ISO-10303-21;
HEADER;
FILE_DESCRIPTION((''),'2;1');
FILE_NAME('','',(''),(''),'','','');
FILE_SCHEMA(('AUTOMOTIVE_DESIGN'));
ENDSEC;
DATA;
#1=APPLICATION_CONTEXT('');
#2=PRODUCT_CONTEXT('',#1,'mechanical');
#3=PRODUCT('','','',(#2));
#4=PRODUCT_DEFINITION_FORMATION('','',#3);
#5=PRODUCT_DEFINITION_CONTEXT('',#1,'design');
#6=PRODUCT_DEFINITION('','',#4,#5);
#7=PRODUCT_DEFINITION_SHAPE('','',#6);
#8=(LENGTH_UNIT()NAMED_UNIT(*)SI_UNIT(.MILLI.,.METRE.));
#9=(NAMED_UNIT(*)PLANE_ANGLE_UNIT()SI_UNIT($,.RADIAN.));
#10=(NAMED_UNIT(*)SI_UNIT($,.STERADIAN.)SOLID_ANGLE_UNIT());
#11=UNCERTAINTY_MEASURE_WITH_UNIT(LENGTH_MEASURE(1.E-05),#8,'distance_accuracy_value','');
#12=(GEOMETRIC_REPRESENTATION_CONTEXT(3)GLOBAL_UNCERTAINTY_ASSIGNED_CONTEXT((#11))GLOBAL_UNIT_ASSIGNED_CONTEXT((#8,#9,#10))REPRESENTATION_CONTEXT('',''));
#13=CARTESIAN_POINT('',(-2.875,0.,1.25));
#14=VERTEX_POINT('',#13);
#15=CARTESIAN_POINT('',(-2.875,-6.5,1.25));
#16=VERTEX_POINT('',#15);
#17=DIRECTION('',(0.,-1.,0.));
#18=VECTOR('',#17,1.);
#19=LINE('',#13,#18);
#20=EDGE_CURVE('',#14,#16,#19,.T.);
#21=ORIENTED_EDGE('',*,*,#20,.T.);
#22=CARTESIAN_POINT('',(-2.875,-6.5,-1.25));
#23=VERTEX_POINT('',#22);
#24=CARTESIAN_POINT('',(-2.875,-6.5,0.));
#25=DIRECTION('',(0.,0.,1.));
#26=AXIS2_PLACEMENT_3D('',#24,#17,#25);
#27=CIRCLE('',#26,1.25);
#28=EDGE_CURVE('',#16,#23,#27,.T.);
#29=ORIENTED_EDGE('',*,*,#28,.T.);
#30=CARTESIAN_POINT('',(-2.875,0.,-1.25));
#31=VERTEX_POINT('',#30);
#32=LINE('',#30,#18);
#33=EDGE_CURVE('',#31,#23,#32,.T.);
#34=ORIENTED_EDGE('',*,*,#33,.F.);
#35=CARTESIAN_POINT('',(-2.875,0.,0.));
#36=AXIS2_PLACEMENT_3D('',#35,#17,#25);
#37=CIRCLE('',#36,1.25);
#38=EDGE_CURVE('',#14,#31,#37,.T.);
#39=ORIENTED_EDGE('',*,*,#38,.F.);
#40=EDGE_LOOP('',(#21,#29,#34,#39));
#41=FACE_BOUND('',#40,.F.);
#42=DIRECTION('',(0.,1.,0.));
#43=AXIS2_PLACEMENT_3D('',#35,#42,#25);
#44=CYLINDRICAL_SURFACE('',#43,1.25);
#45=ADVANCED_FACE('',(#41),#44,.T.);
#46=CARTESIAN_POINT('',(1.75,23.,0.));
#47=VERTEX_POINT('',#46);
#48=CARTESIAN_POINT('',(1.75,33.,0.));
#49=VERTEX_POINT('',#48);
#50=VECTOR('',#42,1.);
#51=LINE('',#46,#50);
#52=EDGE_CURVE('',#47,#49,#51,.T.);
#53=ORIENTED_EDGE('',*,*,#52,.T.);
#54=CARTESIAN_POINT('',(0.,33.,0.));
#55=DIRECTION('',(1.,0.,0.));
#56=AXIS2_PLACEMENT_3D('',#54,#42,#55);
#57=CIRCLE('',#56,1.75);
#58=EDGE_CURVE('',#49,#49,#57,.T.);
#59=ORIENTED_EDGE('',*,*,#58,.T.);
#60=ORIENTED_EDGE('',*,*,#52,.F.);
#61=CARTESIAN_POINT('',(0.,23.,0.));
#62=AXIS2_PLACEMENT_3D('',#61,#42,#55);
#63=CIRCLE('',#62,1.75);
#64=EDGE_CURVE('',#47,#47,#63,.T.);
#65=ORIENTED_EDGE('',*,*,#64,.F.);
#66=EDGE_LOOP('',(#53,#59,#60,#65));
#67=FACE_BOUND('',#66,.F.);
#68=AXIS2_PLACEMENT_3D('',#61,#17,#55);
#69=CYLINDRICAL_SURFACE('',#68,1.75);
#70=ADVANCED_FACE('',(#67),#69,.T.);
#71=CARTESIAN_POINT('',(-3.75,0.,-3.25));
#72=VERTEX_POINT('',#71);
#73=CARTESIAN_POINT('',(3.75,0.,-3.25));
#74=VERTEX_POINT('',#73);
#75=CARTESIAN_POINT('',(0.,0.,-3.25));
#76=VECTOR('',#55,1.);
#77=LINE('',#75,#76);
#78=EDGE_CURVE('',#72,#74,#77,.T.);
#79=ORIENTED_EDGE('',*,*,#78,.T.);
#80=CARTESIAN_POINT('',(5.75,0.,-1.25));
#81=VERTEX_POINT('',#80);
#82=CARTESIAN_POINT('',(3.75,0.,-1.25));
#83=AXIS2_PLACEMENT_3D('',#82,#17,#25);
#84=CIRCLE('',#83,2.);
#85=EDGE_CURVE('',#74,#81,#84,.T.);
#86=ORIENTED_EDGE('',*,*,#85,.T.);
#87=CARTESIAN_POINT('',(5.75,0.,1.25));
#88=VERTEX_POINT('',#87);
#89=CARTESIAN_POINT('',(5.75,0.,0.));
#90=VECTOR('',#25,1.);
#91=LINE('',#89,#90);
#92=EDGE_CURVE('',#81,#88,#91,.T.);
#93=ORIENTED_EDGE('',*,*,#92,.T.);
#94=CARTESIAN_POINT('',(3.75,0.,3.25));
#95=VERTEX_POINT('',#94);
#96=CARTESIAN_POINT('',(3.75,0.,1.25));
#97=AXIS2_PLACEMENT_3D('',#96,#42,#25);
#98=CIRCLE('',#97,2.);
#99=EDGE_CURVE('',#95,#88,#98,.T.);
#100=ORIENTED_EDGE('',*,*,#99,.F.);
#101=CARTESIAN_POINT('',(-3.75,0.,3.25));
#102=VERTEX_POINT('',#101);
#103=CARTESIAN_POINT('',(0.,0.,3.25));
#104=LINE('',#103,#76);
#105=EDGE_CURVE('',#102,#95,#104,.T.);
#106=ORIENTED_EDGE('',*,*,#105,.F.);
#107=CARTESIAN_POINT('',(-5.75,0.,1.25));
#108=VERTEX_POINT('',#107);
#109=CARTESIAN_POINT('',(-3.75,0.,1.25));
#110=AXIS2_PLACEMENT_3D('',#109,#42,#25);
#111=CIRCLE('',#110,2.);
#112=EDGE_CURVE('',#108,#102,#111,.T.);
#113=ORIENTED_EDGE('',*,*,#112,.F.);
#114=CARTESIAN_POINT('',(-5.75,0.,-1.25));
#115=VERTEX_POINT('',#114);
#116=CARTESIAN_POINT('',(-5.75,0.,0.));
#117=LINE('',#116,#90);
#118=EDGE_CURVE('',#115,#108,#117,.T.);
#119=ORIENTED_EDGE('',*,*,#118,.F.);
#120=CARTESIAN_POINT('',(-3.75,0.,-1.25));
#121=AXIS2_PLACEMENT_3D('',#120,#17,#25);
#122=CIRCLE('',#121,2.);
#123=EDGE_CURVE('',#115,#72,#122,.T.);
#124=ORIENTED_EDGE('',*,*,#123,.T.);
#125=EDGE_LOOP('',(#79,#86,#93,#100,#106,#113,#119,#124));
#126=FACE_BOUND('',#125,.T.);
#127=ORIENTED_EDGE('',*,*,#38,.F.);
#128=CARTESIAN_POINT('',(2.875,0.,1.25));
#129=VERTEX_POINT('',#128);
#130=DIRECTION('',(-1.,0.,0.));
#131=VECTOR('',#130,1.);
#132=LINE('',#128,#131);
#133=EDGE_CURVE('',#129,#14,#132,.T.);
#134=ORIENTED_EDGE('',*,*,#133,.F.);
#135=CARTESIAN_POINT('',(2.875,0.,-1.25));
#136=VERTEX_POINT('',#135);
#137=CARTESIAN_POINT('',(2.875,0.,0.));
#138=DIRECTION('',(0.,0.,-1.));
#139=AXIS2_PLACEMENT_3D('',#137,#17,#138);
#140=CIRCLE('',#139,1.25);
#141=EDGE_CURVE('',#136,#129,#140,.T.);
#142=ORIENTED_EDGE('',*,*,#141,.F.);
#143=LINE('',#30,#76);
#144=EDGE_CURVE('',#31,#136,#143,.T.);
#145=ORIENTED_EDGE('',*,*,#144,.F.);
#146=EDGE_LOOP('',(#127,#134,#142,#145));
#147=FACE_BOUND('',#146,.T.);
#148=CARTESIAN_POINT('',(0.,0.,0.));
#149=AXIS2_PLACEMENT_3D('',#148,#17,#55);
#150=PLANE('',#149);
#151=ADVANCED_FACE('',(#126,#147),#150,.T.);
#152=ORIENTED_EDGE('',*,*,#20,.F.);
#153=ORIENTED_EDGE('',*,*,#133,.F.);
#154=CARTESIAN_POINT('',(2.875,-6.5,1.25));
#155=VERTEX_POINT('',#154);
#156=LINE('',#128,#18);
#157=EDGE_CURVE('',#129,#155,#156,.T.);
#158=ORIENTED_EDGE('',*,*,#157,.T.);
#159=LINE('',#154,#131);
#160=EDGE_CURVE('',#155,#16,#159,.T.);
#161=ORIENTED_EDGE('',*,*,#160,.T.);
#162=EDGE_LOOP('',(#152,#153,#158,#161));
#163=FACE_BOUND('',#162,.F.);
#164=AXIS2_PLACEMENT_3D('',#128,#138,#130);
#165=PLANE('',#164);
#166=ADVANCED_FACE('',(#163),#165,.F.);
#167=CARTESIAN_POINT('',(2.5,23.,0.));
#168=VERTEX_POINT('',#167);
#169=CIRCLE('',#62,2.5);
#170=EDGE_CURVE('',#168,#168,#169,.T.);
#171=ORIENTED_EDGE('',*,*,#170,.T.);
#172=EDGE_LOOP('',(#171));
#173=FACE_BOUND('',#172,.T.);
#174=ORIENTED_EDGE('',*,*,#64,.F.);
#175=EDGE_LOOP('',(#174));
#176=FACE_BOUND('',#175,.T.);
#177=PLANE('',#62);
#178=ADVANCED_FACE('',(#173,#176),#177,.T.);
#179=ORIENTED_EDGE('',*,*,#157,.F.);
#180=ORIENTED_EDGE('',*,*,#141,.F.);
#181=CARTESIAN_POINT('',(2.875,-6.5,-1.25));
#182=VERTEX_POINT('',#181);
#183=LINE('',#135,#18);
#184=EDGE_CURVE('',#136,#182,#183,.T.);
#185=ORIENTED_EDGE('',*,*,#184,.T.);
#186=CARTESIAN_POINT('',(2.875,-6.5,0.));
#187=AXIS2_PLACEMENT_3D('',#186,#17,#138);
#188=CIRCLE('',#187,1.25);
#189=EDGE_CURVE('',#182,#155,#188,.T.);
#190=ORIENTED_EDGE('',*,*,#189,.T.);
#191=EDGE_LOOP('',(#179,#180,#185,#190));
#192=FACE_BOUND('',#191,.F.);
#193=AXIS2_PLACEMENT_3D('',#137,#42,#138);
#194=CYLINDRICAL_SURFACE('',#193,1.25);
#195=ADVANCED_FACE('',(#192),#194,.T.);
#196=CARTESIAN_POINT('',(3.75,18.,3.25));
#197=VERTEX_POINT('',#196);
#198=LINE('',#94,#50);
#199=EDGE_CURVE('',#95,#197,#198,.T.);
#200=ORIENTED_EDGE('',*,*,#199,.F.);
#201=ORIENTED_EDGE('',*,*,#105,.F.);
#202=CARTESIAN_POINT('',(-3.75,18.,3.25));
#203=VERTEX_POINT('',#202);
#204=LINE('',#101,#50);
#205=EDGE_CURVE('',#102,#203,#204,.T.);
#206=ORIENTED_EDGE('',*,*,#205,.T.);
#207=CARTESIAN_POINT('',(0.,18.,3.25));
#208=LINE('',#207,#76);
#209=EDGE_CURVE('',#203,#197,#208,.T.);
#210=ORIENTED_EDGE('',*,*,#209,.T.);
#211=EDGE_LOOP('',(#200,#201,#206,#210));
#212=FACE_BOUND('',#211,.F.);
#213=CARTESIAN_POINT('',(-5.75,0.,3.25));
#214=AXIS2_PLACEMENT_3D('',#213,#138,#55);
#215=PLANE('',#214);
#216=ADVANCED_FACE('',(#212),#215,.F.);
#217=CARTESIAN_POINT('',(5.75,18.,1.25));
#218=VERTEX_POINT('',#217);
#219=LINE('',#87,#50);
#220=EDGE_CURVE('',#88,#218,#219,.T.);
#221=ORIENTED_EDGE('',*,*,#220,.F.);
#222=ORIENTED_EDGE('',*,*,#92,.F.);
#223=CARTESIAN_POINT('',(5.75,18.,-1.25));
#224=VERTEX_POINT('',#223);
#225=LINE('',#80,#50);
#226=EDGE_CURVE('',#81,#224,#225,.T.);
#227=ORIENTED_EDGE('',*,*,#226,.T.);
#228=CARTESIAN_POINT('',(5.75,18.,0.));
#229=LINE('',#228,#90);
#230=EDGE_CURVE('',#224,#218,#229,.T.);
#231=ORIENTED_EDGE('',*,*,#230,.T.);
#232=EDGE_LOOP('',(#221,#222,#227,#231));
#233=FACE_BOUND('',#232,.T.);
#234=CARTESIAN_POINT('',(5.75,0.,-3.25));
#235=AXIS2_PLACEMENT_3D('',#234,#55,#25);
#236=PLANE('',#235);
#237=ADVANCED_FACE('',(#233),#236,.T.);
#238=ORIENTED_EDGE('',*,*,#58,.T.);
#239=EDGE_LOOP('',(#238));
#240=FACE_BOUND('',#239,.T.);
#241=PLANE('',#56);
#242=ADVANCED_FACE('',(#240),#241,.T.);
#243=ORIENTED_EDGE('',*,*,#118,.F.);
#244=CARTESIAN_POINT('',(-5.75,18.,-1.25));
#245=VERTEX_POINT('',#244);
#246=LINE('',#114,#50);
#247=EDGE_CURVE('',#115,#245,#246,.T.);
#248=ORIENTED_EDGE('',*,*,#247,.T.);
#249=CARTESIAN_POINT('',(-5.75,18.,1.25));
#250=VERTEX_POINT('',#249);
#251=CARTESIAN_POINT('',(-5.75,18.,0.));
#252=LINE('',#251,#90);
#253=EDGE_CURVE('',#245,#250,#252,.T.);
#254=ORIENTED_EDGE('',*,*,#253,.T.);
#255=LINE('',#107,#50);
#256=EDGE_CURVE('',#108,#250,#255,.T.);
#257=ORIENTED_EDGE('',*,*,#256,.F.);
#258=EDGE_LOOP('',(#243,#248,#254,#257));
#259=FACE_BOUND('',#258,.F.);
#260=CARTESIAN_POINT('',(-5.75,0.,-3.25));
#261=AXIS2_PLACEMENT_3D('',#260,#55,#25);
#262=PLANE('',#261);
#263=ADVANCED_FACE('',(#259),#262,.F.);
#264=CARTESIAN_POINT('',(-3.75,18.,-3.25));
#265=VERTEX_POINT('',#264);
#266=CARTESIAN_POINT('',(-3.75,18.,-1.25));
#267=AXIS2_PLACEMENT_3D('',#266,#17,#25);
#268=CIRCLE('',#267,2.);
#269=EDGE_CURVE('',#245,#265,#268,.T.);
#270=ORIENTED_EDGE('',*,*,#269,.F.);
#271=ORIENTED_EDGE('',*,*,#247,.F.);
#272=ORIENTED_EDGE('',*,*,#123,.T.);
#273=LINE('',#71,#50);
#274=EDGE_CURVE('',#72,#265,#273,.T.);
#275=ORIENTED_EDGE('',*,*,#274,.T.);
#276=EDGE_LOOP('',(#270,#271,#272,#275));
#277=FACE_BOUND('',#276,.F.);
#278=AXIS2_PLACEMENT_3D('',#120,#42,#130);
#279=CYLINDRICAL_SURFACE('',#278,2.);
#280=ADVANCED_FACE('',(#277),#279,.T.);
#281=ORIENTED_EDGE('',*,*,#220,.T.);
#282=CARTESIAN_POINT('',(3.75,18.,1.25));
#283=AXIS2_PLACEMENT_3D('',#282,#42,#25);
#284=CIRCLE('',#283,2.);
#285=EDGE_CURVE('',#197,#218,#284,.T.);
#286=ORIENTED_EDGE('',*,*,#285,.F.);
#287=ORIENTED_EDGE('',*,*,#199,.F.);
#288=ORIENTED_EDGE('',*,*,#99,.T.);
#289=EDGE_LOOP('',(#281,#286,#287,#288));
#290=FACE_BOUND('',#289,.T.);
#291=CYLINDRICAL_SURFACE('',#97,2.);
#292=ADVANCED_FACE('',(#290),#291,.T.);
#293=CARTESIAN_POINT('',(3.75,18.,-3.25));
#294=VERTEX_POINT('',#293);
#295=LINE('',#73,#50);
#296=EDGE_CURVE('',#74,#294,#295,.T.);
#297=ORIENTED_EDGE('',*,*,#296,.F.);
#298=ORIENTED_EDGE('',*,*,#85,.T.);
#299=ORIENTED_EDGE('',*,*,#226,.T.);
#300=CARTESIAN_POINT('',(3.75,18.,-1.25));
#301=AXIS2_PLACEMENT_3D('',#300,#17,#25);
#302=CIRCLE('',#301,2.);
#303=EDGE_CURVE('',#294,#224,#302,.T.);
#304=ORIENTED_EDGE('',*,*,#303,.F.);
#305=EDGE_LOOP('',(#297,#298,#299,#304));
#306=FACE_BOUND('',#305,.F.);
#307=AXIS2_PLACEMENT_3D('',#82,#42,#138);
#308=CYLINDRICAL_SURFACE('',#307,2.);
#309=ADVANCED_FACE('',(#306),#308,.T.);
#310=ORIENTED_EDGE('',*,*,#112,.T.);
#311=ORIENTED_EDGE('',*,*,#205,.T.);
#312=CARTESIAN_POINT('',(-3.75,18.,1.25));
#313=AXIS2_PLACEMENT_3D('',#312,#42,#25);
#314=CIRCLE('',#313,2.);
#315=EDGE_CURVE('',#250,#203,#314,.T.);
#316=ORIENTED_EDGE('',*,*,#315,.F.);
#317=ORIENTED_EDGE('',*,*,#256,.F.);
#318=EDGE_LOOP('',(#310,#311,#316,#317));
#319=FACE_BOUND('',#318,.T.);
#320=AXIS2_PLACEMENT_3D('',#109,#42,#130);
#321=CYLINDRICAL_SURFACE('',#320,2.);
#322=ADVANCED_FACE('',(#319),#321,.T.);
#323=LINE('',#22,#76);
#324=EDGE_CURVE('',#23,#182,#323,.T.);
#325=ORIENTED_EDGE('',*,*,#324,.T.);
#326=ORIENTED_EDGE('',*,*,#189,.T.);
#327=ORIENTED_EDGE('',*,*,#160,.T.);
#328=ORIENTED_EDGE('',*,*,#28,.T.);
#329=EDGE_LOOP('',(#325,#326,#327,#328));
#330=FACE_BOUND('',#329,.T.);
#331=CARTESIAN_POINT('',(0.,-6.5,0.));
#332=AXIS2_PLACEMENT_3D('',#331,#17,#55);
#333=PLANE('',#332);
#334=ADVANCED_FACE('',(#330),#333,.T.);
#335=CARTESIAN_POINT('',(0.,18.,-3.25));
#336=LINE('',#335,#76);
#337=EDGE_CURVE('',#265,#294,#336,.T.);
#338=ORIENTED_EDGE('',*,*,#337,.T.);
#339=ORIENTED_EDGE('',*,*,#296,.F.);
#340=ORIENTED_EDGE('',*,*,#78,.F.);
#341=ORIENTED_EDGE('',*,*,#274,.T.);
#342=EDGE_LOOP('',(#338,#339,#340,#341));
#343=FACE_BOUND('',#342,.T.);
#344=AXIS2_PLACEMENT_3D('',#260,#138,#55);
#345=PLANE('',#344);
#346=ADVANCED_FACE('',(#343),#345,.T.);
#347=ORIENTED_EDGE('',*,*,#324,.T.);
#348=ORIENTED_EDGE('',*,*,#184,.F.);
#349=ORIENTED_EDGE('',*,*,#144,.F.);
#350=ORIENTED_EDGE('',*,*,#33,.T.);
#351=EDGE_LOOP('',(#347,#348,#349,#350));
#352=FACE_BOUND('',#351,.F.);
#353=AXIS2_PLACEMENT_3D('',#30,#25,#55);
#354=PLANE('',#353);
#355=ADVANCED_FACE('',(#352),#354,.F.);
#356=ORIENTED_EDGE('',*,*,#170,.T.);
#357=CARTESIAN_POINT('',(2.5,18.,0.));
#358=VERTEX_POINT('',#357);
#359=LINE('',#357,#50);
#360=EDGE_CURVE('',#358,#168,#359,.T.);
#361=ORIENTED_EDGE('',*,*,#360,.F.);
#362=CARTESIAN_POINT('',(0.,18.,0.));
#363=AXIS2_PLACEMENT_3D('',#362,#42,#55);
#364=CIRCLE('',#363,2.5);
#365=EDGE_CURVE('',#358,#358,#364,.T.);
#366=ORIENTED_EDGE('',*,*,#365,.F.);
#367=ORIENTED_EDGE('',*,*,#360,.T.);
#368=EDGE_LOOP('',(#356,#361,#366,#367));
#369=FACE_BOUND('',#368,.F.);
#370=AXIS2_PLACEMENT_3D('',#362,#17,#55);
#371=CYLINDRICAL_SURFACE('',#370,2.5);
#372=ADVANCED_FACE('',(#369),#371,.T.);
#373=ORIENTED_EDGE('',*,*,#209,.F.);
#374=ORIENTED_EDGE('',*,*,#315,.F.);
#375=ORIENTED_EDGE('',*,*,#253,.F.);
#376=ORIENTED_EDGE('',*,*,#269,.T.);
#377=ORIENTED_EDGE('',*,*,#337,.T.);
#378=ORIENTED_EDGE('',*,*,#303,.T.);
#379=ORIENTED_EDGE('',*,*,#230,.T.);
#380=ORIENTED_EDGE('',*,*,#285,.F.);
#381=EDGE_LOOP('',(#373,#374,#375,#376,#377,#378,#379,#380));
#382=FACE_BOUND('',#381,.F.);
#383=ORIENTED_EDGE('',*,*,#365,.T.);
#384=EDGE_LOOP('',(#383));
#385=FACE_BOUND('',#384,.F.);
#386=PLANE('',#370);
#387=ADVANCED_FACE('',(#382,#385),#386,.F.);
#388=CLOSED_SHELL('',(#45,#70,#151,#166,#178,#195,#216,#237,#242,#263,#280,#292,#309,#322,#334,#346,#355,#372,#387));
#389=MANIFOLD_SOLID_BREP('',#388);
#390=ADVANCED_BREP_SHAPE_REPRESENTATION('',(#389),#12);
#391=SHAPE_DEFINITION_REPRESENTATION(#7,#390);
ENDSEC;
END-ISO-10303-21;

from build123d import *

# Parameters (mm, degrees)
PAD_DEPTH    = 6.5
SKETCH001_W  = 11.5
SKETCH001_H  = 6.5
PAD001_DEPTH = 18
FILLET_R     = 2
SKETCH002_R  = 2.5
PAD002_DEPTH = 5
SKETCH003_R  = 1.75
PAD003_DEPTH = 10


with BuildPart() as part:
    # Sketch → Pad (new body)
    with BuildSketch(Plane.XZ):
        with BuildLine():
            ThreePointArc((-2.875, 1.25), (-4.125, 0), (-2.875, -1.25))
            Line((-2.875, -1.25), (2.875, -1.25))
            ThreePointArc((2.875, -1.25), (4.125, 0), (2.875, 1.25))
            Line((2.875, 1.25), (-2.875, 1.25))
        make_face()
    extrude(amount=PAD_DEPTH)

    # Sketch001 → Pad001 (join)
    with BuildSketch(Plane.XZ):
        Rectangle(SKETCH001_W, SKETCH001_H)
    extrude(amount=-PAD001_DEPTH)

    # Fillet
    fillet_edges = [part.edges().sort_by_distance(p)[0] for p in [
        (-5.75, 9, 3.25),
        (5.75, 9, 3.25),
        (5.75, 9, -3.25),
        (-5.75, 9, -3.25),
    ]]
    fillet(fillet_edges, radius=FILLET_R)

    # Sketch002 (on Face5 of Fillet) → Pad002 (join)
    with BuildSketch(Plane(origin=(0, 18, 0), x_dir=(1, 0, 0), z_dir=(0, 1, 0))):
        Circle(SKETCH002_R)
    extrude(amount=PAD002_DEPTH)

    # Sketch003 (on Face17 of Pad002) → Pad003 (join)
    with BuildSketch(Plane(origin=(0, 23, 0), x_dir=(1, 0, 0), z_dir=(0, 1, 0))):
        Circle(SKETCH003_R)
    extrude(amount=PAD003_DEPTH)


solid = part.part
